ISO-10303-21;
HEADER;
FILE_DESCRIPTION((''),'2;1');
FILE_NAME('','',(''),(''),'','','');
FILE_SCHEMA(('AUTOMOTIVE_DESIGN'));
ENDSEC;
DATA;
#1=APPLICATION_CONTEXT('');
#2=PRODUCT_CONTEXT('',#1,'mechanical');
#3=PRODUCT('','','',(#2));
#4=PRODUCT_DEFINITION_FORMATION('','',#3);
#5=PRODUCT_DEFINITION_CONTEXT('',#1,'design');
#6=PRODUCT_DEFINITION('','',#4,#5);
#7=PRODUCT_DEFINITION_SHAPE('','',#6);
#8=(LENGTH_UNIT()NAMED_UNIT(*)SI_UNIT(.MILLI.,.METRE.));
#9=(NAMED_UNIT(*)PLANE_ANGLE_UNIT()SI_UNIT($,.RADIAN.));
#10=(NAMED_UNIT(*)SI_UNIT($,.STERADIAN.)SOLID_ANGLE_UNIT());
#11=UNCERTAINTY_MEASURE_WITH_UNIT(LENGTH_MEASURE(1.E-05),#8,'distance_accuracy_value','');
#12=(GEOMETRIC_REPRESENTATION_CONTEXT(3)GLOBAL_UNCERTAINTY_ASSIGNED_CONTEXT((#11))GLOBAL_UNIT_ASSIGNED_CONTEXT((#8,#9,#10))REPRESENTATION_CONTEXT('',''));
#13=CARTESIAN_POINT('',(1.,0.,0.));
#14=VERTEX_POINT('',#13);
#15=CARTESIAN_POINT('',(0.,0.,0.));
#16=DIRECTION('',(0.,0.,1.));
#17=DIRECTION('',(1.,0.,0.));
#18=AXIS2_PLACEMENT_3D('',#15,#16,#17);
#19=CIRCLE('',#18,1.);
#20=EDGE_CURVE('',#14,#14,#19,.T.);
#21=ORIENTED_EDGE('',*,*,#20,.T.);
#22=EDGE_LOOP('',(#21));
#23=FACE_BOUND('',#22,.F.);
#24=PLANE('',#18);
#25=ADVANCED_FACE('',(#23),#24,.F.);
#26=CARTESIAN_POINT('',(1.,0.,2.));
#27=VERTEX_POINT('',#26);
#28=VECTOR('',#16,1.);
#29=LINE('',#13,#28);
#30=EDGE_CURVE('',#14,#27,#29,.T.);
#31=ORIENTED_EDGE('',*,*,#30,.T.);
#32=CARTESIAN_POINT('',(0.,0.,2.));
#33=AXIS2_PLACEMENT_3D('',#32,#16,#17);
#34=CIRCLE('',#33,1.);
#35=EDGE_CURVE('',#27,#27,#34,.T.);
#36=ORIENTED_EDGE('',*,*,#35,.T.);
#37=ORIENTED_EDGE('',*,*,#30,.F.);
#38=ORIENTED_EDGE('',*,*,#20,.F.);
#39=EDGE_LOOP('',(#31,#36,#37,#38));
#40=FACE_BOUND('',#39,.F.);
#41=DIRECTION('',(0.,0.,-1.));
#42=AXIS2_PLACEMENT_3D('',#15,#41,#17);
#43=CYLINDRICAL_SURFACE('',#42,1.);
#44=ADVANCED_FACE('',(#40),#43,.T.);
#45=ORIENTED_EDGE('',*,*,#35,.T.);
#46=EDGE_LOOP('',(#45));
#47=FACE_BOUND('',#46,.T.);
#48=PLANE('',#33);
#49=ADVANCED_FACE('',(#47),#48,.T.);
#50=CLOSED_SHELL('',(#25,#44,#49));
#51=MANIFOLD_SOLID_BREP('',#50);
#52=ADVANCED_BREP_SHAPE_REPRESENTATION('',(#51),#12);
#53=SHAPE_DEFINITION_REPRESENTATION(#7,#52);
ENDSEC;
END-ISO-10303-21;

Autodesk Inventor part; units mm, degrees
ref_plane "YZ Plane" through (0, 0, 0) normal (1, 0, 0) x (0, 1, 0)
ref_plane "XZ Plane" through (0, 0, 0) normal (0, 1, 0) x (-1, 0, 0)
ref_plane "XY Plane" through (0, 0, 0) normal (0, 0, 1) x (1, 0, 0)
sketch "Sketch1" plane through (0, 0, 0) normal (0, 0, 1) x (1, 0, 0)
  circle A0 centre (0, 0) radius 1
  dimension "d0" = 2
extrude "Extrusion1" add sketch "Sketch1" along normal blind 2
properties part number "Magnets_Ribs"
